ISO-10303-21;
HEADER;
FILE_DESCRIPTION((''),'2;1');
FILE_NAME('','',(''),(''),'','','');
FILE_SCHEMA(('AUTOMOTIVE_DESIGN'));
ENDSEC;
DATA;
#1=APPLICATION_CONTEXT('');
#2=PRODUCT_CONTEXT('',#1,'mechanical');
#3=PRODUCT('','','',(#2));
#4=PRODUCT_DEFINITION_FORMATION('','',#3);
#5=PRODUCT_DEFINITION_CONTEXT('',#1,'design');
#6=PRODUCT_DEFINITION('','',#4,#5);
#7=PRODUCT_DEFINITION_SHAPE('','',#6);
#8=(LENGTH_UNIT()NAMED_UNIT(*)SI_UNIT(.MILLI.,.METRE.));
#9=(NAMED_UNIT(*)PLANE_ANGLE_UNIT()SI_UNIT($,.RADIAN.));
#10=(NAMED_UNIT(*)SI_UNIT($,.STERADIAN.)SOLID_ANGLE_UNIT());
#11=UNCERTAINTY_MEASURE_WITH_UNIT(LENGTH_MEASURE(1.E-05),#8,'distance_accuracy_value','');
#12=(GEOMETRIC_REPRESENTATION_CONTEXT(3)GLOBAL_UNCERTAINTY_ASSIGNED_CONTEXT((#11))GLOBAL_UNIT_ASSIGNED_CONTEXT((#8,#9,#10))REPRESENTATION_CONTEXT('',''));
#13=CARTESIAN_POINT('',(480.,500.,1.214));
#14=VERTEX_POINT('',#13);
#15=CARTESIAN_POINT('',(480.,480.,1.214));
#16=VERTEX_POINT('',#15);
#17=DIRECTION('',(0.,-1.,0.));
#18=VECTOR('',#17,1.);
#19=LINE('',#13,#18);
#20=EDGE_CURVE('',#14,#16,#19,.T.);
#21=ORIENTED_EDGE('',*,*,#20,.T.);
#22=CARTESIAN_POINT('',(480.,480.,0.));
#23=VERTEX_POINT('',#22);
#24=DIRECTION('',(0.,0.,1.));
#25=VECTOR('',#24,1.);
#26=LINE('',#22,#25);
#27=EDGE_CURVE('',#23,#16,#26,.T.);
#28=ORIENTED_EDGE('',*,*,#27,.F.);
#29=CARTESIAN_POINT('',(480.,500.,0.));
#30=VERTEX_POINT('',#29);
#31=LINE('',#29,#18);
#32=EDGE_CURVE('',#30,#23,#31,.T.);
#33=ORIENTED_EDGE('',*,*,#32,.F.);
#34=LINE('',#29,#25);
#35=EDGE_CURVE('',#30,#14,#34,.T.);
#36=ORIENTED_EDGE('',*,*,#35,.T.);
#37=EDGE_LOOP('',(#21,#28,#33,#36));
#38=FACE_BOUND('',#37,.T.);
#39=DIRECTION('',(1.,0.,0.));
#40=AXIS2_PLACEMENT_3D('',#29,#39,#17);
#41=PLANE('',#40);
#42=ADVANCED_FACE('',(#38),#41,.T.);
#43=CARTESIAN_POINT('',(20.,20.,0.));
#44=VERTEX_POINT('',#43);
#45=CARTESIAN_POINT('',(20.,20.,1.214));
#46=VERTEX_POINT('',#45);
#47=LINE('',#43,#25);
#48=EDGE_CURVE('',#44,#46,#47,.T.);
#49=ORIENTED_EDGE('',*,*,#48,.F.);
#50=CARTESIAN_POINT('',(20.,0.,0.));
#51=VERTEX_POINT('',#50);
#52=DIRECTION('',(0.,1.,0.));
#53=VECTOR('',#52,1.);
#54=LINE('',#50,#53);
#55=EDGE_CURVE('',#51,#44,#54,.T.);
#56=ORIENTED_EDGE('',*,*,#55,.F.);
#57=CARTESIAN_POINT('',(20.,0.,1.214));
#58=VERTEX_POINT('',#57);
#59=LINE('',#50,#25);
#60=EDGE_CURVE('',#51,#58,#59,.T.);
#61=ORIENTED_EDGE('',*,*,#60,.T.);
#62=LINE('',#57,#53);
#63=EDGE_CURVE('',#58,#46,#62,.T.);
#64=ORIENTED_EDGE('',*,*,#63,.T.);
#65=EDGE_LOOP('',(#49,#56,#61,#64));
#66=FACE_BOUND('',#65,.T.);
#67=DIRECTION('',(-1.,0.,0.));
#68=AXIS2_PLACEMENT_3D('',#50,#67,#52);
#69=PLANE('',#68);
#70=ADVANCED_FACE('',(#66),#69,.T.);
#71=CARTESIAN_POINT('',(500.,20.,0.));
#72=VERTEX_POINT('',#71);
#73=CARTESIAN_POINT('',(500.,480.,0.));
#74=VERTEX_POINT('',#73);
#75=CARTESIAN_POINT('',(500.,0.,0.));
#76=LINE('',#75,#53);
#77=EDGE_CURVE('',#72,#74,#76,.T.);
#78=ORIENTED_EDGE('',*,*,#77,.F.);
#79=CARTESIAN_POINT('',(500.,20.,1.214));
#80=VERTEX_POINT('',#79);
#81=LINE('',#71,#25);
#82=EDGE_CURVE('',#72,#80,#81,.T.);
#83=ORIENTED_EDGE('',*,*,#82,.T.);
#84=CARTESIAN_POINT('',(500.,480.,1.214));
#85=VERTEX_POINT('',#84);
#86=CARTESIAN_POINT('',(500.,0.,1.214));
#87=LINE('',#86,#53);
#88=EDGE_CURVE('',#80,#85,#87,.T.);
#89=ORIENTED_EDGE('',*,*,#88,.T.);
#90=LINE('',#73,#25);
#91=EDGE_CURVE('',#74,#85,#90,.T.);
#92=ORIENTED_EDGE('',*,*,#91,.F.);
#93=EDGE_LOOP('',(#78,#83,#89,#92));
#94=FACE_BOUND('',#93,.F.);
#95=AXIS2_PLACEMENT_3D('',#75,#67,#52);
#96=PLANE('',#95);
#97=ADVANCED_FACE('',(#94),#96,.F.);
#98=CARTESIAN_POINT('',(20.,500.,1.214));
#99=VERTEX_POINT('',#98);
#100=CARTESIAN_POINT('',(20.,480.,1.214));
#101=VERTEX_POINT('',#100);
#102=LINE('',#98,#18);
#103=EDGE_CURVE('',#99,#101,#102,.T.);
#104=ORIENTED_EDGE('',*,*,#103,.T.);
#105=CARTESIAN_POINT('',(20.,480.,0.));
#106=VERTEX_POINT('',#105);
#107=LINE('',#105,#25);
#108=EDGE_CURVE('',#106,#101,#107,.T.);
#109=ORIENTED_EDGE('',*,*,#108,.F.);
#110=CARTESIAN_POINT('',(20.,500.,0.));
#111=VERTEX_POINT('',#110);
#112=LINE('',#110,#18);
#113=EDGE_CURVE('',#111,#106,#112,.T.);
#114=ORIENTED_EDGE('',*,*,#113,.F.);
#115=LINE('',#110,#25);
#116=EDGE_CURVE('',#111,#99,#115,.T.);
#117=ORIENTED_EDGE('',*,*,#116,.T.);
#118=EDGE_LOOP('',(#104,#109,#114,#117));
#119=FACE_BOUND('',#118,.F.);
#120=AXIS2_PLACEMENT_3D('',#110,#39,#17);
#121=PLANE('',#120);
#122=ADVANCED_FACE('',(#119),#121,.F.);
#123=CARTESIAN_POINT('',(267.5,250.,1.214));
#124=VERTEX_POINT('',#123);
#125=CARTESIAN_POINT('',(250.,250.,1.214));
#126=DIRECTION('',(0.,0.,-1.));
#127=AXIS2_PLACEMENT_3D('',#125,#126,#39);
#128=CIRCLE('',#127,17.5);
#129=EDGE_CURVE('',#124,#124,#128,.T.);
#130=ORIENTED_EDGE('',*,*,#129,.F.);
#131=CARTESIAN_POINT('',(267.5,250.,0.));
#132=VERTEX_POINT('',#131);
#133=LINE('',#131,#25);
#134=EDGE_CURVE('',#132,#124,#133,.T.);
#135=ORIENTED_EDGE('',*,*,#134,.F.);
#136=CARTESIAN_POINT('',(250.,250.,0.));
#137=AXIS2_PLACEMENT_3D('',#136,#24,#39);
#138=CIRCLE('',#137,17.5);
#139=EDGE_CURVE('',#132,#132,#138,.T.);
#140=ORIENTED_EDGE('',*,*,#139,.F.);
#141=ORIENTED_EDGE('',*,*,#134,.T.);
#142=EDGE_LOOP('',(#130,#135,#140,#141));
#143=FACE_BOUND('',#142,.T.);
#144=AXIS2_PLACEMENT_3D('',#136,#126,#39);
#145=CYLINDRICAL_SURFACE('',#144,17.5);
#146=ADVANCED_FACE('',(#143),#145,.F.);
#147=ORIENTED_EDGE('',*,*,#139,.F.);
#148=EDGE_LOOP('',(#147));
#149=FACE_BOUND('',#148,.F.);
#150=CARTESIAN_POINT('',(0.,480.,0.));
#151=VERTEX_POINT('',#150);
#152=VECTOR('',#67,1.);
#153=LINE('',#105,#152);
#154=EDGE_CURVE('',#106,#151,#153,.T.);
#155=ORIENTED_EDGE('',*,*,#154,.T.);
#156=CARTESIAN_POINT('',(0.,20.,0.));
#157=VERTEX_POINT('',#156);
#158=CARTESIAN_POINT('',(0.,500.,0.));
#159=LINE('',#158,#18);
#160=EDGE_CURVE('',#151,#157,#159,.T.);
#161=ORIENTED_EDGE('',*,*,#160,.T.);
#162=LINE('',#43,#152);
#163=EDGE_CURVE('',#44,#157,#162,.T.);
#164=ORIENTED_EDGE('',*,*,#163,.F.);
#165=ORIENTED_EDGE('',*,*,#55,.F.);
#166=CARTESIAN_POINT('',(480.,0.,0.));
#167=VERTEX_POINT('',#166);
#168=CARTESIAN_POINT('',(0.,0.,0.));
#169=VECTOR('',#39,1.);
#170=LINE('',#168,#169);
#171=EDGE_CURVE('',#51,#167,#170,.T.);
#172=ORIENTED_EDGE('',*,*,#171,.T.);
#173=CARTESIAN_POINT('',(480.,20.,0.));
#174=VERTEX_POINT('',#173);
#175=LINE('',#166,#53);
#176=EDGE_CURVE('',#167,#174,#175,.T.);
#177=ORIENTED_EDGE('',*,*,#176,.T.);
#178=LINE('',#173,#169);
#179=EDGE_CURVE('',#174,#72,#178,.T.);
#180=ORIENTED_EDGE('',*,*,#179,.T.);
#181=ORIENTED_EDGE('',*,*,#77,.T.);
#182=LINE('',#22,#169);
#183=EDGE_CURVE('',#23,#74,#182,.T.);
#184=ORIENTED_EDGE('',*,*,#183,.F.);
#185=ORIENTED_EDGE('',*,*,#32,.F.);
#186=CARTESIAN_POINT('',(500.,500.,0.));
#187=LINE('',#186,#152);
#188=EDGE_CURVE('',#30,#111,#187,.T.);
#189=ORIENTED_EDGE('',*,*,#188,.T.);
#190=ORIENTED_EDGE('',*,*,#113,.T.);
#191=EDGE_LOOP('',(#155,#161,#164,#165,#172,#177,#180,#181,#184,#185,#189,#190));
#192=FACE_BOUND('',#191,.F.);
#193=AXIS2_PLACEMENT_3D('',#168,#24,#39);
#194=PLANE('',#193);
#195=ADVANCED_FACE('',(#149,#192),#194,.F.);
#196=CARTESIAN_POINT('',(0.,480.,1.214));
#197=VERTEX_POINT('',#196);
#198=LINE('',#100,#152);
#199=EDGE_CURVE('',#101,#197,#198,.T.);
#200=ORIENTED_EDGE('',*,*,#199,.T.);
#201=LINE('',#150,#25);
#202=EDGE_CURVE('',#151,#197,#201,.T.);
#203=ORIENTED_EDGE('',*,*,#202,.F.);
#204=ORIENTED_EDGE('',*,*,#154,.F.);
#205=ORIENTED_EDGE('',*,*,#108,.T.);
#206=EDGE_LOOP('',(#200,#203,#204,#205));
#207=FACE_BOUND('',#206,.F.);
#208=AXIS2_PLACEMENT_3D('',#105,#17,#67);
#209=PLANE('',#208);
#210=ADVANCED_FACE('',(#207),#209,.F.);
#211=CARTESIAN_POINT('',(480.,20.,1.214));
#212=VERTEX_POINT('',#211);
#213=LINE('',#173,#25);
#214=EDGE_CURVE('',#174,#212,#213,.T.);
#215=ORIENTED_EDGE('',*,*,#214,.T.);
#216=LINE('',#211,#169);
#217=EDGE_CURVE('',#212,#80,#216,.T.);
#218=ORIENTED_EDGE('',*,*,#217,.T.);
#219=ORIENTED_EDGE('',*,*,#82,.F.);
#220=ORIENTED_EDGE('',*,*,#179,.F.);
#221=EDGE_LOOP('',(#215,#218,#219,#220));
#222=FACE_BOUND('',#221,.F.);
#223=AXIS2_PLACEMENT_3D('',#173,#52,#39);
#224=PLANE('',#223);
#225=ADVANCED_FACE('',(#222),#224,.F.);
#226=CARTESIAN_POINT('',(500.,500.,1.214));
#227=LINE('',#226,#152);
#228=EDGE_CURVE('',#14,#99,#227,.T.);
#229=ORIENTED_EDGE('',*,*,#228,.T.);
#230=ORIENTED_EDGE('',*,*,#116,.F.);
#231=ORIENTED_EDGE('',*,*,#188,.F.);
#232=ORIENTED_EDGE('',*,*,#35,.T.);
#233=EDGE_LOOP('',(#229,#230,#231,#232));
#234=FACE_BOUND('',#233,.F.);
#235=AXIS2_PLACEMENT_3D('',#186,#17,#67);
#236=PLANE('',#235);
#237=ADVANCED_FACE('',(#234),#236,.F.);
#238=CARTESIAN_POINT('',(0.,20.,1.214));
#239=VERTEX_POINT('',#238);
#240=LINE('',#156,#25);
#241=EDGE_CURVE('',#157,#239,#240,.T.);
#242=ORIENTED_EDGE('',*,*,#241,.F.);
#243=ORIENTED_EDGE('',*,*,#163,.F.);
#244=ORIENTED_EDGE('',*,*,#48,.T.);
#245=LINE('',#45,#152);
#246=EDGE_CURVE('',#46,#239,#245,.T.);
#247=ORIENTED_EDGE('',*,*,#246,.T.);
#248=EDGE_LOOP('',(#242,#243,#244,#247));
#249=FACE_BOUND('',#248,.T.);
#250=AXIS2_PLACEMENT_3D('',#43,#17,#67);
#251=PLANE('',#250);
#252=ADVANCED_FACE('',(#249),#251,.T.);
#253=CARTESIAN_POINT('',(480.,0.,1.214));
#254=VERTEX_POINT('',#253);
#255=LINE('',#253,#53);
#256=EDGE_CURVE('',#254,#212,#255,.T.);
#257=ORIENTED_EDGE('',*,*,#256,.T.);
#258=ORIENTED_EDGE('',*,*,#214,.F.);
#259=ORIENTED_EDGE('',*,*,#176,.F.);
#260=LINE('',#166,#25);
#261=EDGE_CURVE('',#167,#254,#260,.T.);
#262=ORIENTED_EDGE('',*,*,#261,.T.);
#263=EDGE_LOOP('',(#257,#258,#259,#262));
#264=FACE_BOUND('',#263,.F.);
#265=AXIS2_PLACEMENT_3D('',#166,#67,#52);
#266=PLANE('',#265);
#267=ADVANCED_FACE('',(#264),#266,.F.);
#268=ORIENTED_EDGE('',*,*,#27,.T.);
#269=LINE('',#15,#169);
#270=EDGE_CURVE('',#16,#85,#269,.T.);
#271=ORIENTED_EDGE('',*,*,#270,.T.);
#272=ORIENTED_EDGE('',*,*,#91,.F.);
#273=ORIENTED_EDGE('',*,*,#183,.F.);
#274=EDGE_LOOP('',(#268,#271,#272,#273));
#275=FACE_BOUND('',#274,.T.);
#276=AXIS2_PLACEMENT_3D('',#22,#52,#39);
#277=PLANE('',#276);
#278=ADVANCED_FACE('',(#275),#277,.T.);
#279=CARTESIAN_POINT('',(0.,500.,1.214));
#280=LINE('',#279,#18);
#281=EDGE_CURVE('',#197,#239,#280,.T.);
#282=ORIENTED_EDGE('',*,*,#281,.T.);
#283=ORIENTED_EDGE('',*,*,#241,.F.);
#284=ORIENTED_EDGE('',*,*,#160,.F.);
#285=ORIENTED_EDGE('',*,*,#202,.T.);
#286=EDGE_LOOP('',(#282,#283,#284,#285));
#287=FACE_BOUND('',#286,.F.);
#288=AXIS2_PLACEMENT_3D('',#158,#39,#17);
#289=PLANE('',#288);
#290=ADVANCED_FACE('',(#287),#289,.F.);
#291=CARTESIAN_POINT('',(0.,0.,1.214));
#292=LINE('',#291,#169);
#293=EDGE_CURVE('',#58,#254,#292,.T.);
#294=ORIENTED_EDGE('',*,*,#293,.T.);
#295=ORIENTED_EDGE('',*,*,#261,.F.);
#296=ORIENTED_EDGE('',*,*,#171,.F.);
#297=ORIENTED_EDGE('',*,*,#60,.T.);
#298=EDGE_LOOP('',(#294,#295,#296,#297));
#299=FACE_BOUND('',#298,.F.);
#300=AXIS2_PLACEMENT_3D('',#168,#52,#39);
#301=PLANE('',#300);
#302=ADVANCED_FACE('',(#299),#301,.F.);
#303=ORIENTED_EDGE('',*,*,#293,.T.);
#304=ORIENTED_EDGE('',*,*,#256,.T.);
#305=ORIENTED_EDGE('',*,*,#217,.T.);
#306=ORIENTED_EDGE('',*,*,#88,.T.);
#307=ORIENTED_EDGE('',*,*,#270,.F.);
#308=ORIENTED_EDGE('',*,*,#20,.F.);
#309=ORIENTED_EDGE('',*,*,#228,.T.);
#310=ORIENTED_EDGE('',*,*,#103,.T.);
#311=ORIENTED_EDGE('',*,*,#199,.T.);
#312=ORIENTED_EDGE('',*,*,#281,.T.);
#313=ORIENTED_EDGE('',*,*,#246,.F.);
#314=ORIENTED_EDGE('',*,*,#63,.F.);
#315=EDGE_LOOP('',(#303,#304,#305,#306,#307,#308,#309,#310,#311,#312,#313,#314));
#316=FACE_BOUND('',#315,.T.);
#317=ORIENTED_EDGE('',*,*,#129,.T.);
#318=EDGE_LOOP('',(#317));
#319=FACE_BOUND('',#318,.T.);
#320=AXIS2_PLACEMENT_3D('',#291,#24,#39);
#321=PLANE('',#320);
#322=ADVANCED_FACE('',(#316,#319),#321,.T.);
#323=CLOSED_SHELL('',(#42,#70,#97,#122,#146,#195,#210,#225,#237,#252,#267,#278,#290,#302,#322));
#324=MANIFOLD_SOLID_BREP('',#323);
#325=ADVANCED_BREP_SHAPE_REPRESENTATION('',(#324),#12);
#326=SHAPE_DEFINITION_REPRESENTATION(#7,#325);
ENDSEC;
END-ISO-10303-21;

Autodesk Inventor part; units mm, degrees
ref_plane "YZ Plane" through (0, 0, 0) normal (1, 0, 0) x (0, 1, 0)
ref_plane "XZ Plane" through (0, 0, 0) normal (0, 1, 0) x (-1, 0, 0)
ref_plane "XY Plane" through (0, 0, 0) normal (0, 0, 1) x (1, 0, 0)
sketch "Sketch4" plane through (0, 0, 0) normal (0, 0, 1) x (1, 0, 0)
  line L0 (0, 0) -> (500, 0)
  line L1 (500, 0) -> (500, 500)
  line L2 (500, 500) -> (0, 500)
  line L3 (0, 500) -> (0, 0)
  dimension "d9" = 500
  dimension "d10" = 500
extrude "Plate2" add sketch "Sketch4" along normal blind 1.214
sketch "Sketch7" plane through (0, 0, 0) normal (0, 0, 1) x (1, 0, 0)
  line L0 (0, 0) -> (20, 0)
  line L1 (20, 0) -> (20, 20)
  line L2 (20, 20) -> (0, 20)
  line L3 (0, 20) -> (0, 0)
  dimension "d16" = 20
  dimension "d17" = 20
extrude "Cut4" cut sketch "Sketch7" along normal blind 1.214
sketch "Sketch8" plane through (0, 0, 0) normal (0, 0, 1) x (1, 0, 0)
  line L0 (500, 0) -> (500, 500) projected
  line L1 (500, 0) -> (480, 0)
  line L2 (480, 0) -> (480, 20)
  line L3 (480, 20) -> (500, 20)
  line L4 (500, 20) -> (500, 0)
  line L5 (500, 500) -> (480, 500)
  line L6 (480, 500) -> (480, 480)
  line L7 (480, 480) -> (500, 480)
  line L8 (500, 480) -> (500, 500)
  line L9 (500, 500) -> (0, 500) projected
  line L10 (0, 500) -> (20, 500)
  line L11 (20, 500) -> (20, 480)
  line L12 (20, 480) -> (0, 480)
  line L13 (0, 480) -> (0, 500)
  point P0 (0, 0)
  dimension "d20" = 20
  dimension "d21" = 20
  dimension "d22" = 20
  dimension "d23" = 20
  dimension "d24" = 20
  dimension "d25" = 20
extrude "Cut5" cut sketch "Sketch8" along normal blind 1.214
sketch "Sketch10" plane through (0, 0, 0) normal (0, 0, 1) x (1, 0, 0)
  line L0 (0, 0) -> (250, 0)
  line L1 (480, 0) -> (20, 0) projected
  line L2 (0, 0) -> (0, 250)
  line L3 (0, 250) -> (250, 250)
  circle A0 centre (250, 250) radius 17.5
  dimension "d31" = 250
  dimension "d32" = 250
  dimension "d33" = 35
extrude "Cut6" cut sketch "Sketch10" along normal up to next
equation "\"d18\" = Thickness"
equation "\"d26\" = Thickness"
equation "\"d34\" = Thickness"
equation "\"BendRadius\" = Thickness"
equation "\"BendReliefWidth\" = Thickness"
equation "\"BendReliefDepth\" = 0.5 * Thickness"
equation "\"CornerReliefSize\" = 4 * Thickness"
equation "\"MinimumRemnant\" = 2 * Thickness"
equation "\"TransitionRadius\" = BendRadius"
equation "\"JacobiRadiusSize\" = BendRadius"
equation "\"GapSize\" = Thickness"
equation "\"d2\" = BendRadius"
equation "\"d11\" = BendRadius"
equation "\"Thickness\" = 1.214"
properties part number "FrameSheetLaserViewport" material "Steel, Galvanized"
